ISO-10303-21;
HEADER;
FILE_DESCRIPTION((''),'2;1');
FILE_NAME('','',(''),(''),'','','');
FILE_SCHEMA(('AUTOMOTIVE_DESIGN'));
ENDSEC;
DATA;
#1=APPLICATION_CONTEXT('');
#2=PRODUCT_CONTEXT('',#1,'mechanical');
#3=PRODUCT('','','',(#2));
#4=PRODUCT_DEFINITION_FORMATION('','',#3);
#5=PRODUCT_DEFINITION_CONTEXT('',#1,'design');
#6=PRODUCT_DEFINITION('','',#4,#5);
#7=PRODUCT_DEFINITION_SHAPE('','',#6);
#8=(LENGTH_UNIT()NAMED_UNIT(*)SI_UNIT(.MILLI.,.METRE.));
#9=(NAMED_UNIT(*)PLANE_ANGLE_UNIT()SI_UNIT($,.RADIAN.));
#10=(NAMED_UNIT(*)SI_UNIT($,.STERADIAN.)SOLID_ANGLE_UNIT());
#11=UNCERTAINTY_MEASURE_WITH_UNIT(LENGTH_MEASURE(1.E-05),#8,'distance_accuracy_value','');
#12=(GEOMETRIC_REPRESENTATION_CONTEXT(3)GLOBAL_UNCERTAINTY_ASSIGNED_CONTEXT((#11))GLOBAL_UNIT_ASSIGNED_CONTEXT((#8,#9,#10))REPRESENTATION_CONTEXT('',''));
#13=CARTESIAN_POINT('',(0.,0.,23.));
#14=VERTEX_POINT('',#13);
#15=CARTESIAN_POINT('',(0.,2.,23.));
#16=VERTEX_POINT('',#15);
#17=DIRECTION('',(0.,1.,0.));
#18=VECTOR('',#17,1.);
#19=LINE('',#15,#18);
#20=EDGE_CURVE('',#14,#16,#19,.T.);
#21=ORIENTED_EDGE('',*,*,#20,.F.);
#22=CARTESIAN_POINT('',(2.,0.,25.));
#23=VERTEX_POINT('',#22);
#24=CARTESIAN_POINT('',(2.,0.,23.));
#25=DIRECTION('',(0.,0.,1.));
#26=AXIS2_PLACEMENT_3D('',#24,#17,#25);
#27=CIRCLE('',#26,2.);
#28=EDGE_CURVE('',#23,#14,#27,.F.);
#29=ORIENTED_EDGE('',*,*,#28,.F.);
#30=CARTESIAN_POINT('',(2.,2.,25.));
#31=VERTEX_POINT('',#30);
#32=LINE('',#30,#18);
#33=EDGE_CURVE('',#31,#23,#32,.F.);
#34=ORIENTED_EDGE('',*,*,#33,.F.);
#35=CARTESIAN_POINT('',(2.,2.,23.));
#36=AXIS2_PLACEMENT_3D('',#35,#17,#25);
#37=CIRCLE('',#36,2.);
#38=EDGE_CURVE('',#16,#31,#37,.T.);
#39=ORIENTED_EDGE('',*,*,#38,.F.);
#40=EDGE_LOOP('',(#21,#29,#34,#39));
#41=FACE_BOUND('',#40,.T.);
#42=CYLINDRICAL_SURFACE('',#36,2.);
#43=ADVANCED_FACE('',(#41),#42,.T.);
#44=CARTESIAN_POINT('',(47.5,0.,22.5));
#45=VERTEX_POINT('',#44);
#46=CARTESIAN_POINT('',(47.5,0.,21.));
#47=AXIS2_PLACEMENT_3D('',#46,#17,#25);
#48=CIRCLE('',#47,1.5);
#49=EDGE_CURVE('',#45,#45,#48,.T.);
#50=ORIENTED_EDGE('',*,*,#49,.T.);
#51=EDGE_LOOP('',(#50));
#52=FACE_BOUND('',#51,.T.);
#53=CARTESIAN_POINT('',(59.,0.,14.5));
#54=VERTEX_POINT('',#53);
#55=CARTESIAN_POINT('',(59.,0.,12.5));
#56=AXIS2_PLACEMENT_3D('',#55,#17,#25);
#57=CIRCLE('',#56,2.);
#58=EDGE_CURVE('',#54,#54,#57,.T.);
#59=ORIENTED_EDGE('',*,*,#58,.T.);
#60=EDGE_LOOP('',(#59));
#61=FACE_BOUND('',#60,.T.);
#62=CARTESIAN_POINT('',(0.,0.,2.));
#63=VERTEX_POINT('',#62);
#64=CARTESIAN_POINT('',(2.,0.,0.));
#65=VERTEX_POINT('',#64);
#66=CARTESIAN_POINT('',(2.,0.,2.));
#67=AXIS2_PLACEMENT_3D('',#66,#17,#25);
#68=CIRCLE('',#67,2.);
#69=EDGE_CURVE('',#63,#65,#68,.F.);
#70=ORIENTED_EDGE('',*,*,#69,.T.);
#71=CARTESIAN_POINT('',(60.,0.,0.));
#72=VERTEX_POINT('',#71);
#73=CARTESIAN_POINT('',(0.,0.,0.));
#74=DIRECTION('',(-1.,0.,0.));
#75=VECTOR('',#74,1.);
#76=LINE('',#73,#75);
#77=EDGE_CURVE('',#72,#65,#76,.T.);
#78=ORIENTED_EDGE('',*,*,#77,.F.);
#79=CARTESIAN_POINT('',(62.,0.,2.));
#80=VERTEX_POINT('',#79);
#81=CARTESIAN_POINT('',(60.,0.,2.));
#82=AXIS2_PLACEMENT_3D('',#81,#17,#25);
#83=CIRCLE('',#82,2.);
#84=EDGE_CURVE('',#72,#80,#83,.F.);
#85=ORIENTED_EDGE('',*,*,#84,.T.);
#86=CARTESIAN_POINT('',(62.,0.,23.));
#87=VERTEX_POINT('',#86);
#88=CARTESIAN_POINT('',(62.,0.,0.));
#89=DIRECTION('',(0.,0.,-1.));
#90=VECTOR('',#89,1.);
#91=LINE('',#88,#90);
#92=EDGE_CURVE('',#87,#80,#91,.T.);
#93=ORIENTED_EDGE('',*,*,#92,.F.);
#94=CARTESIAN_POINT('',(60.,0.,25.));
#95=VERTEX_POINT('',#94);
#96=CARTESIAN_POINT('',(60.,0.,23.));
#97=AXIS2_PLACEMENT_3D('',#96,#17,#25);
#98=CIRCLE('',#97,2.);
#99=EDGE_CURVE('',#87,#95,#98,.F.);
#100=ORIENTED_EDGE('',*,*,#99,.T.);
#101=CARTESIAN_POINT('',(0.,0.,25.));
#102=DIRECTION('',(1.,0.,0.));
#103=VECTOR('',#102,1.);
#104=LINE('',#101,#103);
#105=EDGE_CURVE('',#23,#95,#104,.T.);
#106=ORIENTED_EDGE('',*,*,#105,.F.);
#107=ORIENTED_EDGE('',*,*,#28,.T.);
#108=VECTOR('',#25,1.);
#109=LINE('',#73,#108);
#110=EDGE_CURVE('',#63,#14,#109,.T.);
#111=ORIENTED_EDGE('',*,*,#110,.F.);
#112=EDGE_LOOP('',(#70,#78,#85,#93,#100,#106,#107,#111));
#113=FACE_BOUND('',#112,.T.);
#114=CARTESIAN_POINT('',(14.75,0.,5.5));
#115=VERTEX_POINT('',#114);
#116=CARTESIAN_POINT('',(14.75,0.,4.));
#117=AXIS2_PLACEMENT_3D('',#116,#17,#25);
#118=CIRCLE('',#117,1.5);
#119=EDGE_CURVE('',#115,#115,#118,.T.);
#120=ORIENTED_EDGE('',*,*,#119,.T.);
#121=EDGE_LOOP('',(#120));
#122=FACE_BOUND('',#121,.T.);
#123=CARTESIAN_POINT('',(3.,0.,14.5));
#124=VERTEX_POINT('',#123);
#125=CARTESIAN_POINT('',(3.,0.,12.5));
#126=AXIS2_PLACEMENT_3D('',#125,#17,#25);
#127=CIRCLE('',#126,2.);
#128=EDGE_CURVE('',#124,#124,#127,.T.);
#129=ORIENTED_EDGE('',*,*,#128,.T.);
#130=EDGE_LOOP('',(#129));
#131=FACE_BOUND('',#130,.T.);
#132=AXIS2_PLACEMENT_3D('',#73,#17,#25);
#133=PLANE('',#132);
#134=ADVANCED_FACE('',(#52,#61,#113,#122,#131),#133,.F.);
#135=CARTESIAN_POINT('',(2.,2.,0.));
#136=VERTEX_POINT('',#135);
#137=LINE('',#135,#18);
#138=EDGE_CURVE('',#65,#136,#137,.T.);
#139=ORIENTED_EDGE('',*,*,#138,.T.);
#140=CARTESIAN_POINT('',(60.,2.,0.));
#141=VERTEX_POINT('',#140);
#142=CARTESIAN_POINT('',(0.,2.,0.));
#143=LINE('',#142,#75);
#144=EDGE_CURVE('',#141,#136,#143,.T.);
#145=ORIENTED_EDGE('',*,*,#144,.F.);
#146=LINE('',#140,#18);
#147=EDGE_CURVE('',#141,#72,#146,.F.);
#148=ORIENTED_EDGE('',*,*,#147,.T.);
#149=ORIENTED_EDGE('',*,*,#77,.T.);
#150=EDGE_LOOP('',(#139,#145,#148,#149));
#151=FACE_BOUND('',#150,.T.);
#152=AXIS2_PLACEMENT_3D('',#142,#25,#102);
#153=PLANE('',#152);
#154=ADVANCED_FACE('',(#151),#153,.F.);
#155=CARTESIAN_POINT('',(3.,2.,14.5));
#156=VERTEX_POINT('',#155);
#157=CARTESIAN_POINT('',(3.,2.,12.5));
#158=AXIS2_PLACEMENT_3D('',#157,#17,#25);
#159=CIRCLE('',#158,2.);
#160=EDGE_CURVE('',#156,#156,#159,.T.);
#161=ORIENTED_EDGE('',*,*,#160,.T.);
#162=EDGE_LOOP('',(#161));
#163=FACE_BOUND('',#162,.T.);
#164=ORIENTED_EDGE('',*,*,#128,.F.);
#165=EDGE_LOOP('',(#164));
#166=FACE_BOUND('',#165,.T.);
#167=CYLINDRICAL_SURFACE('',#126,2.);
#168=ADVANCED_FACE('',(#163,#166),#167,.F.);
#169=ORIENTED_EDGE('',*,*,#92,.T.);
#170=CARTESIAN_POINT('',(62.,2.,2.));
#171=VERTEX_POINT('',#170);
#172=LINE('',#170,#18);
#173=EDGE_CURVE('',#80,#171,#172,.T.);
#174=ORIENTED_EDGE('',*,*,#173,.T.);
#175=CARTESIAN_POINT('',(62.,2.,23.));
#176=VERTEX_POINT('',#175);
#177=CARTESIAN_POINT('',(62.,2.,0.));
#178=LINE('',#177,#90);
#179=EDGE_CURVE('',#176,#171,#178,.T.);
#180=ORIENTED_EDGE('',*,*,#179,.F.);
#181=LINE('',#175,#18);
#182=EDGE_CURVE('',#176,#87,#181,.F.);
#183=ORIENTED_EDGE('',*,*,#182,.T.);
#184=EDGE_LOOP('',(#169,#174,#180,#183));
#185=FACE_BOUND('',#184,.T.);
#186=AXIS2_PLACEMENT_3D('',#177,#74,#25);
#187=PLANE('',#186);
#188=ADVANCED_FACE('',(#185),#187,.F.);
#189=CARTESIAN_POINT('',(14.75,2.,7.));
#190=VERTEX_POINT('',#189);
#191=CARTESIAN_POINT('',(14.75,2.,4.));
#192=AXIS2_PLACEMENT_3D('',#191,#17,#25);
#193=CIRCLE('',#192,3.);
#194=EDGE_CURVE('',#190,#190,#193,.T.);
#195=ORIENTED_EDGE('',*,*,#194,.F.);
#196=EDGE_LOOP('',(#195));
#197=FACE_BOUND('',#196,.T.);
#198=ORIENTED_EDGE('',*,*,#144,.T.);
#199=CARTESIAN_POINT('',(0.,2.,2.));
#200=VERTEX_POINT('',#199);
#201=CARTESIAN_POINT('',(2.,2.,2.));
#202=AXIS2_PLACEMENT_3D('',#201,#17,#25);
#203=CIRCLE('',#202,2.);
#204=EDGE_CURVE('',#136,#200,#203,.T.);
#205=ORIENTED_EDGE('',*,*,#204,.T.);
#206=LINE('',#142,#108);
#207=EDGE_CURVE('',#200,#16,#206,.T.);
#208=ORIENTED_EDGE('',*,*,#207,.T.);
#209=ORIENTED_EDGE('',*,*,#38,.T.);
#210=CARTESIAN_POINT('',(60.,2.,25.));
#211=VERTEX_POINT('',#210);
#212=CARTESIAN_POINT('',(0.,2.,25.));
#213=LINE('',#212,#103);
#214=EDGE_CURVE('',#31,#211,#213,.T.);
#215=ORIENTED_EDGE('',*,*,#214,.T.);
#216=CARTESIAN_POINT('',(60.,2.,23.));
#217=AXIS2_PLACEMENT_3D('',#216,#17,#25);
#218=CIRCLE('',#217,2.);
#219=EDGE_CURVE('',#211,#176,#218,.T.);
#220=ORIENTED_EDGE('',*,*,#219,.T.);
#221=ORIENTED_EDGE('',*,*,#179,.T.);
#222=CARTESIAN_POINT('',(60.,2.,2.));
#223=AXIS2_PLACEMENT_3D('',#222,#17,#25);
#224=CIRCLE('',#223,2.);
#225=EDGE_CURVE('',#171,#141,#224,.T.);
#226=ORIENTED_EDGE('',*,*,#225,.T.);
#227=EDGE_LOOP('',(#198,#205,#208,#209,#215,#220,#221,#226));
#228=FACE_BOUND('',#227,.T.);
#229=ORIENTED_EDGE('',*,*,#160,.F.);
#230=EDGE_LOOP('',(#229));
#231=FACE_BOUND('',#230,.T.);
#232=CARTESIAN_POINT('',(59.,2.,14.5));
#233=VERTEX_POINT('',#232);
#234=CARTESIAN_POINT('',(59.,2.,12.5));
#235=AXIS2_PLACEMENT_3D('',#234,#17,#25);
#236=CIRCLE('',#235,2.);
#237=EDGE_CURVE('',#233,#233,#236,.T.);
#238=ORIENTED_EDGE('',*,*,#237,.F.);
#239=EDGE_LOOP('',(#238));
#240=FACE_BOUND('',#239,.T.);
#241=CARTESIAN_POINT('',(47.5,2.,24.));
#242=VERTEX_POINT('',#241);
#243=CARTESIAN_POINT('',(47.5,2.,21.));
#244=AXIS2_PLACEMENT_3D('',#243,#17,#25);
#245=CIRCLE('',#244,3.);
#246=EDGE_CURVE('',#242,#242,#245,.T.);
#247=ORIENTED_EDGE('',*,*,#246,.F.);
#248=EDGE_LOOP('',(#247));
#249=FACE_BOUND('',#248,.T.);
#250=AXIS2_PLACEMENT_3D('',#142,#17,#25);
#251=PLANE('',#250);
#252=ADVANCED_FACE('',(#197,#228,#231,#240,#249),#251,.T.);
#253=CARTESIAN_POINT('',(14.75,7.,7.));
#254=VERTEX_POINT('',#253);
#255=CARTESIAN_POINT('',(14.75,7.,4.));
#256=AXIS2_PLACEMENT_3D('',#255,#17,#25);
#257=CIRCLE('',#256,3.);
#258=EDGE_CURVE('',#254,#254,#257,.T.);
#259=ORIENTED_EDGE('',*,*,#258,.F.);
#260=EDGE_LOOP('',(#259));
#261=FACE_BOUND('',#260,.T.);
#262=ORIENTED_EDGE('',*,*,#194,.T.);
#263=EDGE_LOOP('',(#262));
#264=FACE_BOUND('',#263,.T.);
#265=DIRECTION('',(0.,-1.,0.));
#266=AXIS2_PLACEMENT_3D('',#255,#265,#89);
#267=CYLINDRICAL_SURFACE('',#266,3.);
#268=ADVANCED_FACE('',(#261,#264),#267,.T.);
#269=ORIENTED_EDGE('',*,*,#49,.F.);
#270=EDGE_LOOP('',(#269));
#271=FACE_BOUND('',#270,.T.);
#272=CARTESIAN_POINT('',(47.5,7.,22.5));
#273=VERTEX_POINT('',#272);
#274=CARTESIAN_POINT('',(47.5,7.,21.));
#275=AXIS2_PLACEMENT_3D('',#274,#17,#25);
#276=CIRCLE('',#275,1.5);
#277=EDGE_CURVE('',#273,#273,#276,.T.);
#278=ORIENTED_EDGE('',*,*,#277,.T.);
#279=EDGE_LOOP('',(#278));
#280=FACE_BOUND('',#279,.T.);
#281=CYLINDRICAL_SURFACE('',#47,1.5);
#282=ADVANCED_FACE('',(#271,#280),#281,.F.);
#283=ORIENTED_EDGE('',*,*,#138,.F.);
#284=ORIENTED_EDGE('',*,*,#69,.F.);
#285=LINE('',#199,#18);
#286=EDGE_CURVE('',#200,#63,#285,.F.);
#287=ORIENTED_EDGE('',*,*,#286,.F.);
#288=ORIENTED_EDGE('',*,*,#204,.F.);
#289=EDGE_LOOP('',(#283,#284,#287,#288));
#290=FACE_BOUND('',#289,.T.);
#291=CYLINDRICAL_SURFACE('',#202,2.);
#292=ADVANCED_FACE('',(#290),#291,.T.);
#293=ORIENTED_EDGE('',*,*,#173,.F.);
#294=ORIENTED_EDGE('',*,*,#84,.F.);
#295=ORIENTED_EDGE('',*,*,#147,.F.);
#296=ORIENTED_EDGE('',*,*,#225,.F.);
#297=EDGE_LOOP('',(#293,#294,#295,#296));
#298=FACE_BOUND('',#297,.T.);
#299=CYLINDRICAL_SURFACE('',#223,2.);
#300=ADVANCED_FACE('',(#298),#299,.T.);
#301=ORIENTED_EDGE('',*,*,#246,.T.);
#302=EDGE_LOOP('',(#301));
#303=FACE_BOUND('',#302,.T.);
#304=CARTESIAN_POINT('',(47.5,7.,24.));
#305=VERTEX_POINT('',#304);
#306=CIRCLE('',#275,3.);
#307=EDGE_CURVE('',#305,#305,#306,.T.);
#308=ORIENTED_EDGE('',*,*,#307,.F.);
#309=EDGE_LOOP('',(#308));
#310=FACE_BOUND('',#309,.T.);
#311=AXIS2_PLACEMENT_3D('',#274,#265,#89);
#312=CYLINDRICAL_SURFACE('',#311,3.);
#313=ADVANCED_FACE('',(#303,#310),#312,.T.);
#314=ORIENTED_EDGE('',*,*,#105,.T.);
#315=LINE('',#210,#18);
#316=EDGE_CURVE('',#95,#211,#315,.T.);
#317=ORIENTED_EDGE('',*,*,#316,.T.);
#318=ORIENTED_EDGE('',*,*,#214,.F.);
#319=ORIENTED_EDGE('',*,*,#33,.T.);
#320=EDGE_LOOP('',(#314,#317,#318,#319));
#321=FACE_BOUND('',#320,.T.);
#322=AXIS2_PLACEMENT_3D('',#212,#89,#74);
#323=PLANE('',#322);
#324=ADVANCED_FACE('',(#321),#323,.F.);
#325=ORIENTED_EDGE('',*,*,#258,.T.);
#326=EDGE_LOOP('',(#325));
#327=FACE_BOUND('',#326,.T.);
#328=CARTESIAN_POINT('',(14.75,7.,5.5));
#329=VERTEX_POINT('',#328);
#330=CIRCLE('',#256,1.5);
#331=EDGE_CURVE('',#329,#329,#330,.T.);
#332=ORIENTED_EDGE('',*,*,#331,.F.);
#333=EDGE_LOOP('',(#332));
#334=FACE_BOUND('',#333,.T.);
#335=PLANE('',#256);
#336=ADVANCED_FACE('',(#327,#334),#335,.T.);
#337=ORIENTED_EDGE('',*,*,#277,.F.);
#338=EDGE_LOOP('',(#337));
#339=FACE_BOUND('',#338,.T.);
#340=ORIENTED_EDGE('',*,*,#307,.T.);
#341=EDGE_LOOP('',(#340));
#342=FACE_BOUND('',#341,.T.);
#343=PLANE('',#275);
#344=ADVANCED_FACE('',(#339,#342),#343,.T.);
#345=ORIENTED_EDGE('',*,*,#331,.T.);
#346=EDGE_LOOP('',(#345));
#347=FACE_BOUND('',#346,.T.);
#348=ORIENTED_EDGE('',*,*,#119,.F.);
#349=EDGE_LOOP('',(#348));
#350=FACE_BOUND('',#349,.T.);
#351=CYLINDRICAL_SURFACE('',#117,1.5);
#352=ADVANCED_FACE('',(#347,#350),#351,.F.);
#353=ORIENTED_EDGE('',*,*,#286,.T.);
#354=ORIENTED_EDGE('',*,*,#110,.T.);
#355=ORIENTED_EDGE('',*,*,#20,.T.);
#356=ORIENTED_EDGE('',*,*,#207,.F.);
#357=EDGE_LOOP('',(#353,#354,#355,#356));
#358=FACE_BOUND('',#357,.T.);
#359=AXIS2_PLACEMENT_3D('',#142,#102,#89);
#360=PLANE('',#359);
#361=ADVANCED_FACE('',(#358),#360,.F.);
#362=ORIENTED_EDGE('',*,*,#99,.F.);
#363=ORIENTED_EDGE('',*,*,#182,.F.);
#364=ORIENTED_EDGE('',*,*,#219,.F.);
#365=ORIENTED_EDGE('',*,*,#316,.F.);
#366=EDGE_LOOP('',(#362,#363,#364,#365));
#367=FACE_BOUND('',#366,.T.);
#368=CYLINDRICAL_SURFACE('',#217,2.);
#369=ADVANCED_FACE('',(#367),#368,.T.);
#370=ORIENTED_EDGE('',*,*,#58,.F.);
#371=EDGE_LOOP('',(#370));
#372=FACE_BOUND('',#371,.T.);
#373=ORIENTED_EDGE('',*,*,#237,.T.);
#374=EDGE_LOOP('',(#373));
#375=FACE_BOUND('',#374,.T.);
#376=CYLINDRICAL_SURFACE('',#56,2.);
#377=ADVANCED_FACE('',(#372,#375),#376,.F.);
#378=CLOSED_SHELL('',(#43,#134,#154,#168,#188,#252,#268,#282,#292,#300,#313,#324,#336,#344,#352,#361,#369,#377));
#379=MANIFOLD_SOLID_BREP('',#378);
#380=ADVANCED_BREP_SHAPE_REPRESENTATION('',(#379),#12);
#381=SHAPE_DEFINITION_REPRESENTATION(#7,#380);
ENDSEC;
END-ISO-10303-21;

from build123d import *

# Parameters (mm, degrees)
SKETCH_1_W               = 62
SKETCH_1_H               = 25
EXTRUDE_1_DEPTH          = 2
SKETCH_2_R               = 3
EXTRUDE_2_DEPTH          = 5
SKETCH_3_R               = 1.5
CUT_EXTRUDE_1_DEPTH      = 1
CUT_EXTRUDE_1_DEPTH_BACK = 8
SKETCH_4_R               = 2
CUT_EXTRUDE_2_DEPTH      = 6
CUT_EXTRUDE_2_DEPTH_BACK = 3
FILLET_1_R               = 2
FILLET_2_R               = 2
FILLET_3_R               = 2
FILLET_4_R               = 2


with BuildPart() as part:
    # Эскиз1 → Бобышка-Вытянуть1 (new body)
    with BuildSketch(Plane(origin=(0, 0, 0), x_dir=(1, 0, 0), z_dir=(0, 1, 0))):
        with Locations((31, -12.5)):
            Rectangle(SKETCH_1_W, SKETCH_1_H)
    extrude(amount=EXTRUDE_1_DEPTH)

    # Эскиз2 → Бобышка-Вытянуть2 (add)
    with BuildSketch(Plane(origin=(0, 2, 0), x_dir=(1, 0, 0), z_dir=(0, 1, 0))):
        with Locations((14.75, -4)):
            Circle(SKETCH_2_R)
        with Locations((47.5, -21)):
            Circle(SKETCH_2_R)
    extrude(amount=EXTRUDE_2_DEPTH)

    # Эскиз3 → Вырез-Вытянуть1 (cut, two sides)
    with BuildSketch(Plane(origin=(0, 7, 0), x_dir=(1, 0, 0), z_dir=(0, 1, 0))) as cut_extrude_1_sk:
        with Locations((14.75, -4)):
            Circle(SKETCH_3_R)
        with Locations((47.5, -21)):
            Circle(SKETCH_3_R)
    extrude(amount=CUT_EXTRUDE_1_DEPTH, mode=Mode.SUBTRACT)
    extrude(cut_extrude_1_sk.sketch, amount=-CUT_EXTRUDE_1_DEPTH_BACK, mode=Mode.SUBTRACT)

    # Эскиз4 → Вырез-Вытянуть2 (cut, two sides)
    with BuildSketch(Plane(origin=(0, 2, 0), x_dir=(1, 0, 0), z_dir=(0, 1, 0))) as cut_extrude_2_sk:
        with Locations((3, -12.5)):
            Circle(SKETCH_4_R)
        with Locations((59, -12.5)):
            Circle(SKETCH_4_R)
    extrude(amount=CUT_EXTRUDE_2_DEPTH, mode=Mode.SUBTRACT)
    extrude(cut_extrude_2_sk.sketch, amount=-CUT_EXTRUDE_2_DEPTH_BACK, mode=Mode.SUBTRACT)

    # Скругление1
    fillet_1_edges = [part.edges().sort_by_distance(p)[0] for p in [
        (0, 1, 0),
    ]]
    fillet(fillet_1_edges, radius=FILLET_1_R)

    # Скругление2
    fillet_2_edges = [part.edges().sort_by_distance(p)[0] for p in [
        (0, 1, 25),
    ]]
    fillet(fillet_2_edges, radius=FILLET_2_R)

    # Скругление3
    fillet_3_edges = [part.edges().sort_by_distance(p)[0] for p in [
        (62, 1, 25),
    ]]
    fillet(fillet_3_edges, radius=FILLET_3_R)

    # Скругление4
    fillet_4_edges = [part.edges().sort_by_distance(p)[0] for p in [
        (62, 1, 0),
    ]]
    fillet(fillet_4_edges, radius=FILLET_4_R)


solid = part.part
